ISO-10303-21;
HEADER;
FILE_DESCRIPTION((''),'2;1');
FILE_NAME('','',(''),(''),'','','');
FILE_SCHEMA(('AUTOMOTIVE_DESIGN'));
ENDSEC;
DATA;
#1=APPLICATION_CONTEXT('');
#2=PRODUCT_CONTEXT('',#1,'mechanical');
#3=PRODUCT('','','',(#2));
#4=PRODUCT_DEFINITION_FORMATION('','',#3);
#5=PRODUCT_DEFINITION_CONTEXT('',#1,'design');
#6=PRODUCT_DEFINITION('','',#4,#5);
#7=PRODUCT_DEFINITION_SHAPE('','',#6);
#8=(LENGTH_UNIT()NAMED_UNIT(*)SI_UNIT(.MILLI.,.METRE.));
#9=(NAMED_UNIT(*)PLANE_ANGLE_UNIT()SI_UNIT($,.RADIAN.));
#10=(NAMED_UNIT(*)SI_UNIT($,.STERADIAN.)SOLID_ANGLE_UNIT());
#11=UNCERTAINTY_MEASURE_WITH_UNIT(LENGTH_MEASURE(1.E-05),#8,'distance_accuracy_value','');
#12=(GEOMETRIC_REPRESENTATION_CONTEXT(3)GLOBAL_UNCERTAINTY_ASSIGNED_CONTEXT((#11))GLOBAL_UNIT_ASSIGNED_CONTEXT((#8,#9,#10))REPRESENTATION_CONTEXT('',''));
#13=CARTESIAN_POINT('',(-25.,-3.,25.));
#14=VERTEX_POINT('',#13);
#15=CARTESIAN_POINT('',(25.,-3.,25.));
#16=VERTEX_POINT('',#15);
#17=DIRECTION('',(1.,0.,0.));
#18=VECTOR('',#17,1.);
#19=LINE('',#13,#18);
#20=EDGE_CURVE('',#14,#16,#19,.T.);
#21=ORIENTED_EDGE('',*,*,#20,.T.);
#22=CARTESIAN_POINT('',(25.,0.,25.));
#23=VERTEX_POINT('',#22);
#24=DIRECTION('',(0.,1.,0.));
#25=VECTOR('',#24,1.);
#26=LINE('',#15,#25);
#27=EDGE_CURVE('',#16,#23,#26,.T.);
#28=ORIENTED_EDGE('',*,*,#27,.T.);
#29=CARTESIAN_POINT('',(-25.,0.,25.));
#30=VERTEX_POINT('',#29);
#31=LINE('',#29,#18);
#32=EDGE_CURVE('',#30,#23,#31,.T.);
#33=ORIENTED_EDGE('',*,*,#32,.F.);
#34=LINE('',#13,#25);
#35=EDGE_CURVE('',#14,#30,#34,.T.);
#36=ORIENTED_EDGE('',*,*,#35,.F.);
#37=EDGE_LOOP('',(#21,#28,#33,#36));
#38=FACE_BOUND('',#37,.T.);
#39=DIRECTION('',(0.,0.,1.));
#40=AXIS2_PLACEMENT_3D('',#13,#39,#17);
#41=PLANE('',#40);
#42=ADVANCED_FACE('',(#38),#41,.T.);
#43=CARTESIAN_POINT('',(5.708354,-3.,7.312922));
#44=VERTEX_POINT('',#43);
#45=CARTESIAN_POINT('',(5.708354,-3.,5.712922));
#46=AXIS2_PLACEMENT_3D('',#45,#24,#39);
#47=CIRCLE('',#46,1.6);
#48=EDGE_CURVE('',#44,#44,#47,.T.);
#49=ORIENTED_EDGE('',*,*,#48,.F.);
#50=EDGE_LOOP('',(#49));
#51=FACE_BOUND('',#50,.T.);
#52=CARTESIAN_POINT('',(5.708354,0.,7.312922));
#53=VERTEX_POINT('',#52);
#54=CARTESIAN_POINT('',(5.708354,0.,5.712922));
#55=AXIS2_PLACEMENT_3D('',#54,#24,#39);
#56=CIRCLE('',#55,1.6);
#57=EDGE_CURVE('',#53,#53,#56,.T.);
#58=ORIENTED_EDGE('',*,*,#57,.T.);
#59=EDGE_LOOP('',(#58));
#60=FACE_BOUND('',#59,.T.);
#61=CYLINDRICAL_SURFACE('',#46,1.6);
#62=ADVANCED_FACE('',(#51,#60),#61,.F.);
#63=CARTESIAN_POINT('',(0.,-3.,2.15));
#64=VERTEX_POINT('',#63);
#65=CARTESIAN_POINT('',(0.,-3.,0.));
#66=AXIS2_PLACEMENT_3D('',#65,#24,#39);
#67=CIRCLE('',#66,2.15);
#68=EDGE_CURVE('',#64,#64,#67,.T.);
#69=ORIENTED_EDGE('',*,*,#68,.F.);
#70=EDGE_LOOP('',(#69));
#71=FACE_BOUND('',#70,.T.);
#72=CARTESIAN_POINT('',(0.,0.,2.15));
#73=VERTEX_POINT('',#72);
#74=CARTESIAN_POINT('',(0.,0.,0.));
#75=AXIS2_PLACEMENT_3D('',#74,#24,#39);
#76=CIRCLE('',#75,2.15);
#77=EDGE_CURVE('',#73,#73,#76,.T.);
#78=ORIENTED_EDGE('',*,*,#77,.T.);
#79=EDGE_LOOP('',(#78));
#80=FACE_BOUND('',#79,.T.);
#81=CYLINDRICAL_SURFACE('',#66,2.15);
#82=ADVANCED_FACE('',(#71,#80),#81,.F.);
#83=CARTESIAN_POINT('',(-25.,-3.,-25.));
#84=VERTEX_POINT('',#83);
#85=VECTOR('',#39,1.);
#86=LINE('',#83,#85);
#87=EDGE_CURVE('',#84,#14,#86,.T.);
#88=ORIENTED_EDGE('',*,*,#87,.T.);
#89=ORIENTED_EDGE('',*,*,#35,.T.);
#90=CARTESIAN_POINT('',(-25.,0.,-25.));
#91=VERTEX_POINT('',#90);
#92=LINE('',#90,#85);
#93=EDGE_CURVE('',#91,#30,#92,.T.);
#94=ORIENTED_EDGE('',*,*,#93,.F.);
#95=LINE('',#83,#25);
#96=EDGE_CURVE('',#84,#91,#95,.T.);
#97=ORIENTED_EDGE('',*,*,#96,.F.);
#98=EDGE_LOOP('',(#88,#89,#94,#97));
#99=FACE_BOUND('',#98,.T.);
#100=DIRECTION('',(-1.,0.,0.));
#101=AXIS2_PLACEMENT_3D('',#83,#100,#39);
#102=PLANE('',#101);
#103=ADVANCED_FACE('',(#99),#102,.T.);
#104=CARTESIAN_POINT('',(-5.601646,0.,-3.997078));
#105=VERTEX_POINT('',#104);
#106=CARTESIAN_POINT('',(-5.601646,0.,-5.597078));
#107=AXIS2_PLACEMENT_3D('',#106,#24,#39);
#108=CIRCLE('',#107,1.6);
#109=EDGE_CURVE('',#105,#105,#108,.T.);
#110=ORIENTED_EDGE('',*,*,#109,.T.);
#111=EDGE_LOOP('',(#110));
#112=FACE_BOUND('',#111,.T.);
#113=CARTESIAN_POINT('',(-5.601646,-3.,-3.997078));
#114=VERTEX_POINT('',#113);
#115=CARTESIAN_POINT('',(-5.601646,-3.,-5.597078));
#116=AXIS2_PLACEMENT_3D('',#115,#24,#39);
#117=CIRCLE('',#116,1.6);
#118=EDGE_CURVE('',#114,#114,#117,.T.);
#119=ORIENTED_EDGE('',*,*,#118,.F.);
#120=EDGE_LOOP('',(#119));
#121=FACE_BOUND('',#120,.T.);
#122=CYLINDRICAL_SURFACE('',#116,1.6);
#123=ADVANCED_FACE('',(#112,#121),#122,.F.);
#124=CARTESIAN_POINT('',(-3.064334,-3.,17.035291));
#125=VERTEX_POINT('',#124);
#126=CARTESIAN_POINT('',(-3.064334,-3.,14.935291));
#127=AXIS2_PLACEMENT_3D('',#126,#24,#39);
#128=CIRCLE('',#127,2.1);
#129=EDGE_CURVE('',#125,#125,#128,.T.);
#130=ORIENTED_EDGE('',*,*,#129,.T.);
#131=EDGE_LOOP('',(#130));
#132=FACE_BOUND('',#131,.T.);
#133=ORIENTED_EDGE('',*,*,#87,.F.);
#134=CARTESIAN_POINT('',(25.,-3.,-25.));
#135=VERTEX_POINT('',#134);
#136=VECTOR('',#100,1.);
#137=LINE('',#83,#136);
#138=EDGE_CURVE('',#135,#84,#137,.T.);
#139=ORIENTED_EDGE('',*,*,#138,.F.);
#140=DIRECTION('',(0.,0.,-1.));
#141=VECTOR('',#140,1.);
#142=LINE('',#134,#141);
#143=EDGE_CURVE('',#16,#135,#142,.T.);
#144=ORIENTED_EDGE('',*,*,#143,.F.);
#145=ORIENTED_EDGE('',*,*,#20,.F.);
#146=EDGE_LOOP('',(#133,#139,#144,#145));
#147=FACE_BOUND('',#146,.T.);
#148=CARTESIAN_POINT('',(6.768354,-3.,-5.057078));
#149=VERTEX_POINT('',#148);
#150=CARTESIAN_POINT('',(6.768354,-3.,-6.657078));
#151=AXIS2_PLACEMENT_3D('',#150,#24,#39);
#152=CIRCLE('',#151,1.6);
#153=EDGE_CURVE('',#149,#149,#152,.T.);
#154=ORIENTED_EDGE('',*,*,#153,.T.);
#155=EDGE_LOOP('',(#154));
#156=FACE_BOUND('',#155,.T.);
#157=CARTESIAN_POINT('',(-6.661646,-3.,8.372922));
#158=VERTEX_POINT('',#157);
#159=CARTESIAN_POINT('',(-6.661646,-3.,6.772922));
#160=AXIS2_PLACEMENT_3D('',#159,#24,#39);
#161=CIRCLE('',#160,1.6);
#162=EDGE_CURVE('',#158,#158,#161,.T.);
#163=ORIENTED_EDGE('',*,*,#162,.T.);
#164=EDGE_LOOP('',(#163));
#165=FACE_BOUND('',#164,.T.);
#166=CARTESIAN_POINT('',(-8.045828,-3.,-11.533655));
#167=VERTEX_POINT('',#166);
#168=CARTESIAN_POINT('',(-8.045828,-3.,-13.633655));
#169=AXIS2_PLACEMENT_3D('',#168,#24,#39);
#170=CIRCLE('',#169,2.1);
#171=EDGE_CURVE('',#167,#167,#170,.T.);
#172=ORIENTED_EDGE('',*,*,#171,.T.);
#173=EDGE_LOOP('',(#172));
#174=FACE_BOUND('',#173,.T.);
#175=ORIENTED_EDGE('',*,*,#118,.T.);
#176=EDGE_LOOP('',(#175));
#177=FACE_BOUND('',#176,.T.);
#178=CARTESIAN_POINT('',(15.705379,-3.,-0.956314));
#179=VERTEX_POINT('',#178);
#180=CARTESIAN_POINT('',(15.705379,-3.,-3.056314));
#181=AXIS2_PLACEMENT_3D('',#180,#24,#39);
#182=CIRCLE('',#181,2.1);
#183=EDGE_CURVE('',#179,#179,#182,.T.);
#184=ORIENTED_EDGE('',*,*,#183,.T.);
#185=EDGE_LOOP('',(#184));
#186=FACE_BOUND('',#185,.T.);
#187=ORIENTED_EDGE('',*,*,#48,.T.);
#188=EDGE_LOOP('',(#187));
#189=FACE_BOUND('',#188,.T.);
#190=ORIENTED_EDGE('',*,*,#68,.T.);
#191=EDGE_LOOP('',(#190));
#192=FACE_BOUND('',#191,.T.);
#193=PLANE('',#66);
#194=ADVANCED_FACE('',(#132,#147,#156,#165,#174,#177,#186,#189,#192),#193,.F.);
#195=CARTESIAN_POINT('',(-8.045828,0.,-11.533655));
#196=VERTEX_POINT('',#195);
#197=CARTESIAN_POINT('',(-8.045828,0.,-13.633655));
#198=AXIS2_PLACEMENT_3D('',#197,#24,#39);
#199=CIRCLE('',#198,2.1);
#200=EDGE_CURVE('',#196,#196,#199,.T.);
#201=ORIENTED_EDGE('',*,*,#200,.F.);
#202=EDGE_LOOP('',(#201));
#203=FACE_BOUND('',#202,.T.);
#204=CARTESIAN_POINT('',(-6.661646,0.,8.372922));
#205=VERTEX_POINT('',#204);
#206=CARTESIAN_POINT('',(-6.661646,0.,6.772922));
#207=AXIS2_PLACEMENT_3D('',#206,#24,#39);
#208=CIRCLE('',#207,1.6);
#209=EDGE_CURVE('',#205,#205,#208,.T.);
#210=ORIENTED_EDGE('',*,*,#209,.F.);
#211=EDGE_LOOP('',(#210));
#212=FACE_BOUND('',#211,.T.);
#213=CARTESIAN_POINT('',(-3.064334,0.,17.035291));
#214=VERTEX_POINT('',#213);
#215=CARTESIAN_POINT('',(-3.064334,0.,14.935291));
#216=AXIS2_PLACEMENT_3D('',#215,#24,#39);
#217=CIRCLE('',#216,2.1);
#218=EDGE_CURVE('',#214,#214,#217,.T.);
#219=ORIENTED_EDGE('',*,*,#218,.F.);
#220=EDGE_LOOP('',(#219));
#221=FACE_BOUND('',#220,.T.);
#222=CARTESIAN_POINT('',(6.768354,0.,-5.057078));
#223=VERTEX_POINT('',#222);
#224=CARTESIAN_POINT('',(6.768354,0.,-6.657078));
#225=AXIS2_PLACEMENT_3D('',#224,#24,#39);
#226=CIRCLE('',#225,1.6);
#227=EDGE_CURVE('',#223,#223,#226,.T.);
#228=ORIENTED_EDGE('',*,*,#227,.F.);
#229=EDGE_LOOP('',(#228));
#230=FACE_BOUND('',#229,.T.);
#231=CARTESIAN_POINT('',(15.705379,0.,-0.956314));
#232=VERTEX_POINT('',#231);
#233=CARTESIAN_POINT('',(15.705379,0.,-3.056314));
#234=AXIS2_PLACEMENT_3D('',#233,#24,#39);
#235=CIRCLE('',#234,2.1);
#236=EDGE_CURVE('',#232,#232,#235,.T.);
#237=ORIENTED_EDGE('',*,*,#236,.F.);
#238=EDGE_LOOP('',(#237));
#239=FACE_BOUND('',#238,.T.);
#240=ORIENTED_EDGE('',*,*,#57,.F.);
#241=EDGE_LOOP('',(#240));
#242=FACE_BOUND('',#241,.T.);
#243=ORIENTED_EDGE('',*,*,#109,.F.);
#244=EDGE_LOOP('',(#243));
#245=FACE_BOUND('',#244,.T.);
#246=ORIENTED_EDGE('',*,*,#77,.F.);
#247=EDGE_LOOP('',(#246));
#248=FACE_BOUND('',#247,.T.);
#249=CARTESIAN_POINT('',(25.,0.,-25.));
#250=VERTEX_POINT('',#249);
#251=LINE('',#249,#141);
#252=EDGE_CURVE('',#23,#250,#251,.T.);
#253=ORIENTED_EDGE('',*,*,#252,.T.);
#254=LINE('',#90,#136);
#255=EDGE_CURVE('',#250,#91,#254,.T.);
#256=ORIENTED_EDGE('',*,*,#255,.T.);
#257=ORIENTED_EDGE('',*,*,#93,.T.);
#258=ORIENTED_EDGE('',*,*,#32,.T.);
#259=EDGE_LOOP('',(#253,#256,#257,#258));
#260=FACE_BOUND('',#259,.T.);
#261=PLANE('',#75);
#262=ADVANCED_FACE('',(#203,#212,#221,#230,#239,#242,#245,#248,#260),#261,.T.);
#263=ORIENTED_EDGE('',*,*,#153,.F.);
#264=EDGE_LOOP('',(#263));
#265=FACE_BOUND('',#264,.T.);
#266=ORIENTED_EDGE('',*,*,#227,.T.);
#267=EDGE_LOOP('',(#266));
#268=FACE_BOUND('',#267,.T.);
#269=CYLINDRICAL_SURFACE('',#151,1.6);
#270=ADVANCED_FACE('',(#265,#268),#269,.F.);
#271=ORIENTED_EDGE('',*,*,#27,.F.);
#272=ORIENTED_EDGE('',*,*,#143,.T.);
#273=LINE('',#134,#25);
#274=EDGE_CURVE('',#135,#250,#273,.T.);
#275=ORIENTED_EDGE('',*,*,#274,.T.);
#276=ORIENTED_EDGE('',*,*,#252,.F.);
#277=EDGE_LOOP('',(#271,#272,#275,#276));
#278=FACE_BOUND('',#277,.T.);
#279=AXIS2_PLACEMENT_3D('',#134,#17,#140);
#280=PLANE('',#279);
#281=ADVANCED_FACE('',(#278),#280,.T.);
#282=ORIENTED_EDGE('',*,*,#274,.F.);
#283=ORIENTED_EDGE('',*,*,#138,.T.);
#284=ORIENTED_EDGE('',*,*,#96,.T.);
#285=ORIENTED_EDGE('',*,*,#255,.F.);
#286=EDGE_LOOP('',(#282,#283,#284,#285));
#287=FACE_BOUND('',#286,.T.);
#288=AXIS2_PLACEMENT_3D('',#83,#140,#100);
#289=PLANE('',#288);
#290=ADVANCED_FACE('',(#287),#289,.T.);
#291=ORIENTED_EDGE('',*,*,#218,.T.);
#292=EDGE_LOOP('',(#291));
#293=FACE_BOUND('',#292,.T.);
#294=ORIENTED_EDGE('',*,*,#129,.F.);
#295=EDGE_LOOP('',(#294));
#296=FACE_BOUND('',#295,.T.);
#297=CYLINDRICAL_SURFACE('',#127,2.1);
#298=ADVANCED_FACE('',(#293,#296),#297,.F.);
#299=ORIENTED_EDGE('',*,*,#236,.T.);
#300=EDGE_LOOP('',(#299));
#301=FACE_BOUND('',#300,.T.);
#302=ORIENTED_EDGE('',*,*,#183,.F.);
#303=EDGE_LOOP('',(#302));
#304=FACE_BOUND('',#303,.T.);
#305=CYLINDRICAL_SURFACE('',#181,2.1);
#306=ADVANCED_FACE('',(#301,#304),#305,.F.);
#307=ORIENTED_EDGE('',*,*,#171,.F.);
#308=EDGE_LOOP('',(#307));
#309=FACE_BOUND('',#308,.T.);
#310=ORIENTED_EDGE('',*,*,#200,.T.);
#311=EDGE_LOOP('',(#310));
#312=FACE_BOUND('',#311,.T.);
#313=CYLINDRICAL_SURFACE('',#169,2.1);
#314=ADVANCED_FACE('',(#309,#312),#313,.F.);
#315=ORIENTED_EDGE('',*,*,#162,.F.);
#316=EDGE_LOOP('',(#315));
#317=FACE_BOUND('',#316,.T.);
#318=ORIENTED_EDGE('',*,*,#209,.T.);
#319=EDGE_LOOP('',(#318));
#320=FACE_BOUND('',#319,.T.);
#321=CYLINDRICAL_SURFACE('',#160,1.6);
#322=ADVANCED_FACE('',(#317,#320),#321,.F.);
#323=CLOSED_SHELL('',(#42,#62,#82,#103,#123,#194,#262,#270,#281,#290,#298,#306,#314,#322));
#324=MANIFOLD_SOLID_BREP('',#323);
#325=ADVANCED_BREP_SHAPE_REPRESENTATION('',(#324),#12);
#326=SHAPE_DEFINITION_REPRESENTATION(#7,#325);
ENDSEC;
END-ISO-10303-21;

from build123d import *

# Parameters (mm, degrees)
SKETCH1_W           = 50
SKETCH1_H           = 50
BOSS_EXTRUDE1_DEPTH = 3
SKETCH2_R           = 2.15
CUT_EXTRUDE1_DEPTH  = 4
SKETCH3_R           = 1.6
CUT_EXTRUDE2_DEPTH  = 4
SKETCH4_R           = 2.1
CUT_EXTRUDE3_DEPTH  = 4


with BuildPart() as part:
    # Sketch1 → Boss-Extrude1 (new body)
    with BuildSketch(Plane(origin=(0, 0, 0), x_dir=(1, 0, 0), z_dir=(0, 1, 0))):
        Rectangle(SKETCH1_W, SKETCH1_H)
    extrude(amount=-BOSS_EXTRUDE1_DEPTH)

    # Sketch2 → Cut-Extrude1 (cut, through all)
    with BuildSketch(Plane(origin=(0, 0, 0), x_dir=(1, 0, 0), z_dir=(0, 1, 0))):
        Circle(SKETCH2_R)
    extrude(amount=-CUT_EXTRUDE1_DEPTH, mode=Mode.SUBTRACT)

    # Sketch3 → Cut-Extrude2 (cut, through all)
    with BuildSketch(Plane(origin=(0, 0, 0), x_dir=(1, 0, 0), z_dir=(0, 1, 0))):
        with Locations((6.768353811, 6.657078174)):
            Circle(SKETCH3_R)
        with Locations((-6.661646189, -6.772921826)):
            Circle(SKETCH3_R)
        with Locations((-5.601646189, 5.597078174)):
            Circle(SKETCH3_R)
        with Locations((5.708353811, -5.712921826)):
            Circle(SKETCH3_R)
    extrude(amount=-CUT_EXTRUDE2_DEPTH, mode=Mode.SUBTRACT)

    # Sketch4 → Cut-Extrude3 (cut, through all)
    with BuildSketch(Plane(origin=(0, 0, 0), x_dir=(1, 0, 0), z_dir=(0, 1, 0))):
        with Locations((15.70537943, 3.056314275)):
            Circle(SKETCH4_R)
        with Locations((-3.064333665, -14.935291276)):
            Circle(SKETCH4_R)
        with Locations((-8.045828007, 13.633655399)):
            Circle(SKETCH4_R)
    extrude(amount=-CUT_EXTRUDE3_DEPTH, mode=Mode.SUBTRACT)


solid = part.part
